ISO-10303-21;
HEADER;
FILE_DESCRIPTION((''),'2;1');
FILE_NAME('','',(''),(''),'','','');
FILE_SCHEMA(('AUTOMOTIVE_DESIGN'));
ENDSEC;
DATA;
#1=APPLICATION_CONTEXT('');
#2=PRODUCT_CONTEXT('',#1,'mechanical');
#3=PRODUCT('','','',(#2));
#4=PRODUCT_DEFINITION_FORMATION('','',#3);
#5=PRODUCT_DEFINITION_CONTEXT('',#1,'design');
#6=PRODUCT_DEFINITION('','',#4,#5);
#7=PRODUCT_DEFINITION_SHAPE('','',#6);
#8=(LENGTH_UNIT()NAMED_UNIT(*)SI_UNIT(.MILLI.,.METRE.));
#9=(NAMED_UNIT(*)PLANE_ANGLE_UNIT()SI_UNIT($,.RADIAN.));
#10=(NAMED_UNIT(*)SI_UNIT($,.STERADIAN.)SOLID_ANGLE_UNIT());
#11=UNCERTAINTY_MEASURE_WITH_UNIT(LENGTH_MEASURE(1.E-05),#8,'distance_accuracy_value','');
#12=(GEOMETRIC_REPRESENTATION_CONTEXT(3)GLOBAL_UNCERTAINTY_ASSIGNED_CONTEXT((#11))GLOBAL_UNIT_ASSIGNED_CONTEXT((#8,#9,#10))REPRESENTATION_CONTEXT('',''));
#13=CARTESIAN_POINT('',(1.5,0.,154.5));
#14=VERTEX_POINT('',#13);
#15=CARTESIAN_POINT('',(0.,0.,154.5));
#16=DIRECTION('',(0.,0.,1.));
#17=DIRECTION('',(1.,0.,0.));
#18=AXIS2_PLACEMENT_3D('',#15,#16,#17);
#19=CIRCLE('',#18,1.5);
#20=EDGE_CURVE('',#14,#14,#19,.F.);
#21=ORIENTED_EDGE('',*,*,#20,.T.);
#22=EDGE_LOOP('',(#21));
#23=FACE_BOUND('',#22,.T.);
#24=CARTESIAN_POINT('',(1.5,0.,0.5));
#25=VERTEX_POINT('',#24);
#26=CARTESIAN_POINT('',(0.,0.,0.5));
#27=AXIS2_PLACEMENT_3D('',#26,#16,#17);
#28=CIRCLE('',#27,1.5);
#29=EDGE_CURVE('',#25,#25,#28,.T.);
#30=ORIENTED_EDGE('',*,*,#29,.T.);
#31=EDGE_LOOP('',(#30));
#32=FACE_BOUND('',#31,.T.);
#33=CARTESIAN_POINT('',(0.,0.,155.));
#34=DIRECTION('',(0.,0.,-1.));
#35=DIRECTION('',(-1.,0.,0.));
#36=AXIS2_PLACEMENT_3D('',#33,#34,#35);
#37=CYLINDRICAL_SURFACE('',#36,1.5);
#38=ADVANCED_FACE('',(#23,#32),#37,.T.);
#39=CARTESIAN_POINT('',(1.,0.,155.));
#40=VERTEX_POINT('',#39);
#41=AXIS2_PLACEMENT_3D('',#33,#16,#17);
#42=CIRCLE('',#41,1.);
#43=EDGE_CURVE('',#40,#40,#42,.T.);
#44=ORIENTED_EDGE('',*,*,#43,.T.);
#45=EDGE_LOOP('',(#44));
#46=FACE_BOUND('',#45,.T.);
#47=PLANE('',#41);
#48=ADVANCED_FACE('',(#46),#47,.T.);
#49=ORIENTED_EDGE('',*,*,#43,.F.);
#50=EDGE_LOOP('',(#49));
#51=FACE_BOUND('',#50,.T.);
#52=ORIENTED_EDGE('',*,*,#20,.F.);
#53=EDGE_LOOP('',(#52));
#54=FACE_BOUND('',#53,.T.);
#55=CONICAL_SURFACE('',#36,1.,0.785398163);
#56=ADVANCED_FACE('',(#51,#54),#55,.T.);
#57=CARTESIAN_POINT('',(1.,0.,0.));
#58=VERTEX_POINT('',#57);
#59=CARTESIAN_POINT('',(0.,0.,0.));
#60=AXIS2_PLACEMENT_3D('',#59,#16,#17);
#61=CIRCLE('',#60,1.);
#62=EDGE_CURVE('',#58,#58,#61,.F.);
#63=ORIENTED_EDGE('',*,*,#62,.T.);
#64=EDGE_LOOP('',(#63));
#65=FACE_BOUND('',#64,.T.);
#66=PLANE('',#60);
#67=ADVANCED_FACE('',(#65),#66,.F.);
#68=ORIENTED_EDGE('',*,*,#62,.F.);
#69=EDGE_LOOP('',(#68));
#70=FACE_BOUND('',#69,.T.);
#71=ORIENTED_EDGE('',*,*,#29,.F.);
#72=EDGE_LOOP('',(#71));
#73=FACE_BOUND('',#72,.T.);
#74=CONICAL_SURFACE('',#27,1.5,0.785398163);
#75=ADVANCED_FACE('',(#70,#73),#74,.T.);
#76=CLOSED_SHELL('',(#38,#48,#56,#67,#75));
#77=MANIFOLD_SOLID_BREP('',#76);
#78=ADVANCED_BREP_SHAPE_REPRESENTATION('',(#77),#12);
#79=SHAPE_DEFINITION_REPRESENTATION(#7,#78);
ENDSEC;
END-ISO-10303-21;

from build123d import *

# Parameters (mm, degrees)
SKETCH_1_R      = 1.5
EXTRUDE_1_DEPTH = 155
CHAMFER_1_SIZE  = 0.5


with BuildPart() as part:
    # Эскиз1 → Бобышка-Вытянуть1 (new body)
    with BuildSketch(Plane.XY):
        Circle(SKETCH_1_R)
    extrude(amount=EXTRUDE_1_DEPTH)

    # Фаска1
    chamfer_1_edges = [part.edges().sort_by_distance(p)[0] for p in [
        (-1.5, 0, 0),
        (-1.5, 0, 155),
    ]]
    chamfer(chamfer_1_edges, length=CHAMFER_1_SIZE)


solid = part.part
